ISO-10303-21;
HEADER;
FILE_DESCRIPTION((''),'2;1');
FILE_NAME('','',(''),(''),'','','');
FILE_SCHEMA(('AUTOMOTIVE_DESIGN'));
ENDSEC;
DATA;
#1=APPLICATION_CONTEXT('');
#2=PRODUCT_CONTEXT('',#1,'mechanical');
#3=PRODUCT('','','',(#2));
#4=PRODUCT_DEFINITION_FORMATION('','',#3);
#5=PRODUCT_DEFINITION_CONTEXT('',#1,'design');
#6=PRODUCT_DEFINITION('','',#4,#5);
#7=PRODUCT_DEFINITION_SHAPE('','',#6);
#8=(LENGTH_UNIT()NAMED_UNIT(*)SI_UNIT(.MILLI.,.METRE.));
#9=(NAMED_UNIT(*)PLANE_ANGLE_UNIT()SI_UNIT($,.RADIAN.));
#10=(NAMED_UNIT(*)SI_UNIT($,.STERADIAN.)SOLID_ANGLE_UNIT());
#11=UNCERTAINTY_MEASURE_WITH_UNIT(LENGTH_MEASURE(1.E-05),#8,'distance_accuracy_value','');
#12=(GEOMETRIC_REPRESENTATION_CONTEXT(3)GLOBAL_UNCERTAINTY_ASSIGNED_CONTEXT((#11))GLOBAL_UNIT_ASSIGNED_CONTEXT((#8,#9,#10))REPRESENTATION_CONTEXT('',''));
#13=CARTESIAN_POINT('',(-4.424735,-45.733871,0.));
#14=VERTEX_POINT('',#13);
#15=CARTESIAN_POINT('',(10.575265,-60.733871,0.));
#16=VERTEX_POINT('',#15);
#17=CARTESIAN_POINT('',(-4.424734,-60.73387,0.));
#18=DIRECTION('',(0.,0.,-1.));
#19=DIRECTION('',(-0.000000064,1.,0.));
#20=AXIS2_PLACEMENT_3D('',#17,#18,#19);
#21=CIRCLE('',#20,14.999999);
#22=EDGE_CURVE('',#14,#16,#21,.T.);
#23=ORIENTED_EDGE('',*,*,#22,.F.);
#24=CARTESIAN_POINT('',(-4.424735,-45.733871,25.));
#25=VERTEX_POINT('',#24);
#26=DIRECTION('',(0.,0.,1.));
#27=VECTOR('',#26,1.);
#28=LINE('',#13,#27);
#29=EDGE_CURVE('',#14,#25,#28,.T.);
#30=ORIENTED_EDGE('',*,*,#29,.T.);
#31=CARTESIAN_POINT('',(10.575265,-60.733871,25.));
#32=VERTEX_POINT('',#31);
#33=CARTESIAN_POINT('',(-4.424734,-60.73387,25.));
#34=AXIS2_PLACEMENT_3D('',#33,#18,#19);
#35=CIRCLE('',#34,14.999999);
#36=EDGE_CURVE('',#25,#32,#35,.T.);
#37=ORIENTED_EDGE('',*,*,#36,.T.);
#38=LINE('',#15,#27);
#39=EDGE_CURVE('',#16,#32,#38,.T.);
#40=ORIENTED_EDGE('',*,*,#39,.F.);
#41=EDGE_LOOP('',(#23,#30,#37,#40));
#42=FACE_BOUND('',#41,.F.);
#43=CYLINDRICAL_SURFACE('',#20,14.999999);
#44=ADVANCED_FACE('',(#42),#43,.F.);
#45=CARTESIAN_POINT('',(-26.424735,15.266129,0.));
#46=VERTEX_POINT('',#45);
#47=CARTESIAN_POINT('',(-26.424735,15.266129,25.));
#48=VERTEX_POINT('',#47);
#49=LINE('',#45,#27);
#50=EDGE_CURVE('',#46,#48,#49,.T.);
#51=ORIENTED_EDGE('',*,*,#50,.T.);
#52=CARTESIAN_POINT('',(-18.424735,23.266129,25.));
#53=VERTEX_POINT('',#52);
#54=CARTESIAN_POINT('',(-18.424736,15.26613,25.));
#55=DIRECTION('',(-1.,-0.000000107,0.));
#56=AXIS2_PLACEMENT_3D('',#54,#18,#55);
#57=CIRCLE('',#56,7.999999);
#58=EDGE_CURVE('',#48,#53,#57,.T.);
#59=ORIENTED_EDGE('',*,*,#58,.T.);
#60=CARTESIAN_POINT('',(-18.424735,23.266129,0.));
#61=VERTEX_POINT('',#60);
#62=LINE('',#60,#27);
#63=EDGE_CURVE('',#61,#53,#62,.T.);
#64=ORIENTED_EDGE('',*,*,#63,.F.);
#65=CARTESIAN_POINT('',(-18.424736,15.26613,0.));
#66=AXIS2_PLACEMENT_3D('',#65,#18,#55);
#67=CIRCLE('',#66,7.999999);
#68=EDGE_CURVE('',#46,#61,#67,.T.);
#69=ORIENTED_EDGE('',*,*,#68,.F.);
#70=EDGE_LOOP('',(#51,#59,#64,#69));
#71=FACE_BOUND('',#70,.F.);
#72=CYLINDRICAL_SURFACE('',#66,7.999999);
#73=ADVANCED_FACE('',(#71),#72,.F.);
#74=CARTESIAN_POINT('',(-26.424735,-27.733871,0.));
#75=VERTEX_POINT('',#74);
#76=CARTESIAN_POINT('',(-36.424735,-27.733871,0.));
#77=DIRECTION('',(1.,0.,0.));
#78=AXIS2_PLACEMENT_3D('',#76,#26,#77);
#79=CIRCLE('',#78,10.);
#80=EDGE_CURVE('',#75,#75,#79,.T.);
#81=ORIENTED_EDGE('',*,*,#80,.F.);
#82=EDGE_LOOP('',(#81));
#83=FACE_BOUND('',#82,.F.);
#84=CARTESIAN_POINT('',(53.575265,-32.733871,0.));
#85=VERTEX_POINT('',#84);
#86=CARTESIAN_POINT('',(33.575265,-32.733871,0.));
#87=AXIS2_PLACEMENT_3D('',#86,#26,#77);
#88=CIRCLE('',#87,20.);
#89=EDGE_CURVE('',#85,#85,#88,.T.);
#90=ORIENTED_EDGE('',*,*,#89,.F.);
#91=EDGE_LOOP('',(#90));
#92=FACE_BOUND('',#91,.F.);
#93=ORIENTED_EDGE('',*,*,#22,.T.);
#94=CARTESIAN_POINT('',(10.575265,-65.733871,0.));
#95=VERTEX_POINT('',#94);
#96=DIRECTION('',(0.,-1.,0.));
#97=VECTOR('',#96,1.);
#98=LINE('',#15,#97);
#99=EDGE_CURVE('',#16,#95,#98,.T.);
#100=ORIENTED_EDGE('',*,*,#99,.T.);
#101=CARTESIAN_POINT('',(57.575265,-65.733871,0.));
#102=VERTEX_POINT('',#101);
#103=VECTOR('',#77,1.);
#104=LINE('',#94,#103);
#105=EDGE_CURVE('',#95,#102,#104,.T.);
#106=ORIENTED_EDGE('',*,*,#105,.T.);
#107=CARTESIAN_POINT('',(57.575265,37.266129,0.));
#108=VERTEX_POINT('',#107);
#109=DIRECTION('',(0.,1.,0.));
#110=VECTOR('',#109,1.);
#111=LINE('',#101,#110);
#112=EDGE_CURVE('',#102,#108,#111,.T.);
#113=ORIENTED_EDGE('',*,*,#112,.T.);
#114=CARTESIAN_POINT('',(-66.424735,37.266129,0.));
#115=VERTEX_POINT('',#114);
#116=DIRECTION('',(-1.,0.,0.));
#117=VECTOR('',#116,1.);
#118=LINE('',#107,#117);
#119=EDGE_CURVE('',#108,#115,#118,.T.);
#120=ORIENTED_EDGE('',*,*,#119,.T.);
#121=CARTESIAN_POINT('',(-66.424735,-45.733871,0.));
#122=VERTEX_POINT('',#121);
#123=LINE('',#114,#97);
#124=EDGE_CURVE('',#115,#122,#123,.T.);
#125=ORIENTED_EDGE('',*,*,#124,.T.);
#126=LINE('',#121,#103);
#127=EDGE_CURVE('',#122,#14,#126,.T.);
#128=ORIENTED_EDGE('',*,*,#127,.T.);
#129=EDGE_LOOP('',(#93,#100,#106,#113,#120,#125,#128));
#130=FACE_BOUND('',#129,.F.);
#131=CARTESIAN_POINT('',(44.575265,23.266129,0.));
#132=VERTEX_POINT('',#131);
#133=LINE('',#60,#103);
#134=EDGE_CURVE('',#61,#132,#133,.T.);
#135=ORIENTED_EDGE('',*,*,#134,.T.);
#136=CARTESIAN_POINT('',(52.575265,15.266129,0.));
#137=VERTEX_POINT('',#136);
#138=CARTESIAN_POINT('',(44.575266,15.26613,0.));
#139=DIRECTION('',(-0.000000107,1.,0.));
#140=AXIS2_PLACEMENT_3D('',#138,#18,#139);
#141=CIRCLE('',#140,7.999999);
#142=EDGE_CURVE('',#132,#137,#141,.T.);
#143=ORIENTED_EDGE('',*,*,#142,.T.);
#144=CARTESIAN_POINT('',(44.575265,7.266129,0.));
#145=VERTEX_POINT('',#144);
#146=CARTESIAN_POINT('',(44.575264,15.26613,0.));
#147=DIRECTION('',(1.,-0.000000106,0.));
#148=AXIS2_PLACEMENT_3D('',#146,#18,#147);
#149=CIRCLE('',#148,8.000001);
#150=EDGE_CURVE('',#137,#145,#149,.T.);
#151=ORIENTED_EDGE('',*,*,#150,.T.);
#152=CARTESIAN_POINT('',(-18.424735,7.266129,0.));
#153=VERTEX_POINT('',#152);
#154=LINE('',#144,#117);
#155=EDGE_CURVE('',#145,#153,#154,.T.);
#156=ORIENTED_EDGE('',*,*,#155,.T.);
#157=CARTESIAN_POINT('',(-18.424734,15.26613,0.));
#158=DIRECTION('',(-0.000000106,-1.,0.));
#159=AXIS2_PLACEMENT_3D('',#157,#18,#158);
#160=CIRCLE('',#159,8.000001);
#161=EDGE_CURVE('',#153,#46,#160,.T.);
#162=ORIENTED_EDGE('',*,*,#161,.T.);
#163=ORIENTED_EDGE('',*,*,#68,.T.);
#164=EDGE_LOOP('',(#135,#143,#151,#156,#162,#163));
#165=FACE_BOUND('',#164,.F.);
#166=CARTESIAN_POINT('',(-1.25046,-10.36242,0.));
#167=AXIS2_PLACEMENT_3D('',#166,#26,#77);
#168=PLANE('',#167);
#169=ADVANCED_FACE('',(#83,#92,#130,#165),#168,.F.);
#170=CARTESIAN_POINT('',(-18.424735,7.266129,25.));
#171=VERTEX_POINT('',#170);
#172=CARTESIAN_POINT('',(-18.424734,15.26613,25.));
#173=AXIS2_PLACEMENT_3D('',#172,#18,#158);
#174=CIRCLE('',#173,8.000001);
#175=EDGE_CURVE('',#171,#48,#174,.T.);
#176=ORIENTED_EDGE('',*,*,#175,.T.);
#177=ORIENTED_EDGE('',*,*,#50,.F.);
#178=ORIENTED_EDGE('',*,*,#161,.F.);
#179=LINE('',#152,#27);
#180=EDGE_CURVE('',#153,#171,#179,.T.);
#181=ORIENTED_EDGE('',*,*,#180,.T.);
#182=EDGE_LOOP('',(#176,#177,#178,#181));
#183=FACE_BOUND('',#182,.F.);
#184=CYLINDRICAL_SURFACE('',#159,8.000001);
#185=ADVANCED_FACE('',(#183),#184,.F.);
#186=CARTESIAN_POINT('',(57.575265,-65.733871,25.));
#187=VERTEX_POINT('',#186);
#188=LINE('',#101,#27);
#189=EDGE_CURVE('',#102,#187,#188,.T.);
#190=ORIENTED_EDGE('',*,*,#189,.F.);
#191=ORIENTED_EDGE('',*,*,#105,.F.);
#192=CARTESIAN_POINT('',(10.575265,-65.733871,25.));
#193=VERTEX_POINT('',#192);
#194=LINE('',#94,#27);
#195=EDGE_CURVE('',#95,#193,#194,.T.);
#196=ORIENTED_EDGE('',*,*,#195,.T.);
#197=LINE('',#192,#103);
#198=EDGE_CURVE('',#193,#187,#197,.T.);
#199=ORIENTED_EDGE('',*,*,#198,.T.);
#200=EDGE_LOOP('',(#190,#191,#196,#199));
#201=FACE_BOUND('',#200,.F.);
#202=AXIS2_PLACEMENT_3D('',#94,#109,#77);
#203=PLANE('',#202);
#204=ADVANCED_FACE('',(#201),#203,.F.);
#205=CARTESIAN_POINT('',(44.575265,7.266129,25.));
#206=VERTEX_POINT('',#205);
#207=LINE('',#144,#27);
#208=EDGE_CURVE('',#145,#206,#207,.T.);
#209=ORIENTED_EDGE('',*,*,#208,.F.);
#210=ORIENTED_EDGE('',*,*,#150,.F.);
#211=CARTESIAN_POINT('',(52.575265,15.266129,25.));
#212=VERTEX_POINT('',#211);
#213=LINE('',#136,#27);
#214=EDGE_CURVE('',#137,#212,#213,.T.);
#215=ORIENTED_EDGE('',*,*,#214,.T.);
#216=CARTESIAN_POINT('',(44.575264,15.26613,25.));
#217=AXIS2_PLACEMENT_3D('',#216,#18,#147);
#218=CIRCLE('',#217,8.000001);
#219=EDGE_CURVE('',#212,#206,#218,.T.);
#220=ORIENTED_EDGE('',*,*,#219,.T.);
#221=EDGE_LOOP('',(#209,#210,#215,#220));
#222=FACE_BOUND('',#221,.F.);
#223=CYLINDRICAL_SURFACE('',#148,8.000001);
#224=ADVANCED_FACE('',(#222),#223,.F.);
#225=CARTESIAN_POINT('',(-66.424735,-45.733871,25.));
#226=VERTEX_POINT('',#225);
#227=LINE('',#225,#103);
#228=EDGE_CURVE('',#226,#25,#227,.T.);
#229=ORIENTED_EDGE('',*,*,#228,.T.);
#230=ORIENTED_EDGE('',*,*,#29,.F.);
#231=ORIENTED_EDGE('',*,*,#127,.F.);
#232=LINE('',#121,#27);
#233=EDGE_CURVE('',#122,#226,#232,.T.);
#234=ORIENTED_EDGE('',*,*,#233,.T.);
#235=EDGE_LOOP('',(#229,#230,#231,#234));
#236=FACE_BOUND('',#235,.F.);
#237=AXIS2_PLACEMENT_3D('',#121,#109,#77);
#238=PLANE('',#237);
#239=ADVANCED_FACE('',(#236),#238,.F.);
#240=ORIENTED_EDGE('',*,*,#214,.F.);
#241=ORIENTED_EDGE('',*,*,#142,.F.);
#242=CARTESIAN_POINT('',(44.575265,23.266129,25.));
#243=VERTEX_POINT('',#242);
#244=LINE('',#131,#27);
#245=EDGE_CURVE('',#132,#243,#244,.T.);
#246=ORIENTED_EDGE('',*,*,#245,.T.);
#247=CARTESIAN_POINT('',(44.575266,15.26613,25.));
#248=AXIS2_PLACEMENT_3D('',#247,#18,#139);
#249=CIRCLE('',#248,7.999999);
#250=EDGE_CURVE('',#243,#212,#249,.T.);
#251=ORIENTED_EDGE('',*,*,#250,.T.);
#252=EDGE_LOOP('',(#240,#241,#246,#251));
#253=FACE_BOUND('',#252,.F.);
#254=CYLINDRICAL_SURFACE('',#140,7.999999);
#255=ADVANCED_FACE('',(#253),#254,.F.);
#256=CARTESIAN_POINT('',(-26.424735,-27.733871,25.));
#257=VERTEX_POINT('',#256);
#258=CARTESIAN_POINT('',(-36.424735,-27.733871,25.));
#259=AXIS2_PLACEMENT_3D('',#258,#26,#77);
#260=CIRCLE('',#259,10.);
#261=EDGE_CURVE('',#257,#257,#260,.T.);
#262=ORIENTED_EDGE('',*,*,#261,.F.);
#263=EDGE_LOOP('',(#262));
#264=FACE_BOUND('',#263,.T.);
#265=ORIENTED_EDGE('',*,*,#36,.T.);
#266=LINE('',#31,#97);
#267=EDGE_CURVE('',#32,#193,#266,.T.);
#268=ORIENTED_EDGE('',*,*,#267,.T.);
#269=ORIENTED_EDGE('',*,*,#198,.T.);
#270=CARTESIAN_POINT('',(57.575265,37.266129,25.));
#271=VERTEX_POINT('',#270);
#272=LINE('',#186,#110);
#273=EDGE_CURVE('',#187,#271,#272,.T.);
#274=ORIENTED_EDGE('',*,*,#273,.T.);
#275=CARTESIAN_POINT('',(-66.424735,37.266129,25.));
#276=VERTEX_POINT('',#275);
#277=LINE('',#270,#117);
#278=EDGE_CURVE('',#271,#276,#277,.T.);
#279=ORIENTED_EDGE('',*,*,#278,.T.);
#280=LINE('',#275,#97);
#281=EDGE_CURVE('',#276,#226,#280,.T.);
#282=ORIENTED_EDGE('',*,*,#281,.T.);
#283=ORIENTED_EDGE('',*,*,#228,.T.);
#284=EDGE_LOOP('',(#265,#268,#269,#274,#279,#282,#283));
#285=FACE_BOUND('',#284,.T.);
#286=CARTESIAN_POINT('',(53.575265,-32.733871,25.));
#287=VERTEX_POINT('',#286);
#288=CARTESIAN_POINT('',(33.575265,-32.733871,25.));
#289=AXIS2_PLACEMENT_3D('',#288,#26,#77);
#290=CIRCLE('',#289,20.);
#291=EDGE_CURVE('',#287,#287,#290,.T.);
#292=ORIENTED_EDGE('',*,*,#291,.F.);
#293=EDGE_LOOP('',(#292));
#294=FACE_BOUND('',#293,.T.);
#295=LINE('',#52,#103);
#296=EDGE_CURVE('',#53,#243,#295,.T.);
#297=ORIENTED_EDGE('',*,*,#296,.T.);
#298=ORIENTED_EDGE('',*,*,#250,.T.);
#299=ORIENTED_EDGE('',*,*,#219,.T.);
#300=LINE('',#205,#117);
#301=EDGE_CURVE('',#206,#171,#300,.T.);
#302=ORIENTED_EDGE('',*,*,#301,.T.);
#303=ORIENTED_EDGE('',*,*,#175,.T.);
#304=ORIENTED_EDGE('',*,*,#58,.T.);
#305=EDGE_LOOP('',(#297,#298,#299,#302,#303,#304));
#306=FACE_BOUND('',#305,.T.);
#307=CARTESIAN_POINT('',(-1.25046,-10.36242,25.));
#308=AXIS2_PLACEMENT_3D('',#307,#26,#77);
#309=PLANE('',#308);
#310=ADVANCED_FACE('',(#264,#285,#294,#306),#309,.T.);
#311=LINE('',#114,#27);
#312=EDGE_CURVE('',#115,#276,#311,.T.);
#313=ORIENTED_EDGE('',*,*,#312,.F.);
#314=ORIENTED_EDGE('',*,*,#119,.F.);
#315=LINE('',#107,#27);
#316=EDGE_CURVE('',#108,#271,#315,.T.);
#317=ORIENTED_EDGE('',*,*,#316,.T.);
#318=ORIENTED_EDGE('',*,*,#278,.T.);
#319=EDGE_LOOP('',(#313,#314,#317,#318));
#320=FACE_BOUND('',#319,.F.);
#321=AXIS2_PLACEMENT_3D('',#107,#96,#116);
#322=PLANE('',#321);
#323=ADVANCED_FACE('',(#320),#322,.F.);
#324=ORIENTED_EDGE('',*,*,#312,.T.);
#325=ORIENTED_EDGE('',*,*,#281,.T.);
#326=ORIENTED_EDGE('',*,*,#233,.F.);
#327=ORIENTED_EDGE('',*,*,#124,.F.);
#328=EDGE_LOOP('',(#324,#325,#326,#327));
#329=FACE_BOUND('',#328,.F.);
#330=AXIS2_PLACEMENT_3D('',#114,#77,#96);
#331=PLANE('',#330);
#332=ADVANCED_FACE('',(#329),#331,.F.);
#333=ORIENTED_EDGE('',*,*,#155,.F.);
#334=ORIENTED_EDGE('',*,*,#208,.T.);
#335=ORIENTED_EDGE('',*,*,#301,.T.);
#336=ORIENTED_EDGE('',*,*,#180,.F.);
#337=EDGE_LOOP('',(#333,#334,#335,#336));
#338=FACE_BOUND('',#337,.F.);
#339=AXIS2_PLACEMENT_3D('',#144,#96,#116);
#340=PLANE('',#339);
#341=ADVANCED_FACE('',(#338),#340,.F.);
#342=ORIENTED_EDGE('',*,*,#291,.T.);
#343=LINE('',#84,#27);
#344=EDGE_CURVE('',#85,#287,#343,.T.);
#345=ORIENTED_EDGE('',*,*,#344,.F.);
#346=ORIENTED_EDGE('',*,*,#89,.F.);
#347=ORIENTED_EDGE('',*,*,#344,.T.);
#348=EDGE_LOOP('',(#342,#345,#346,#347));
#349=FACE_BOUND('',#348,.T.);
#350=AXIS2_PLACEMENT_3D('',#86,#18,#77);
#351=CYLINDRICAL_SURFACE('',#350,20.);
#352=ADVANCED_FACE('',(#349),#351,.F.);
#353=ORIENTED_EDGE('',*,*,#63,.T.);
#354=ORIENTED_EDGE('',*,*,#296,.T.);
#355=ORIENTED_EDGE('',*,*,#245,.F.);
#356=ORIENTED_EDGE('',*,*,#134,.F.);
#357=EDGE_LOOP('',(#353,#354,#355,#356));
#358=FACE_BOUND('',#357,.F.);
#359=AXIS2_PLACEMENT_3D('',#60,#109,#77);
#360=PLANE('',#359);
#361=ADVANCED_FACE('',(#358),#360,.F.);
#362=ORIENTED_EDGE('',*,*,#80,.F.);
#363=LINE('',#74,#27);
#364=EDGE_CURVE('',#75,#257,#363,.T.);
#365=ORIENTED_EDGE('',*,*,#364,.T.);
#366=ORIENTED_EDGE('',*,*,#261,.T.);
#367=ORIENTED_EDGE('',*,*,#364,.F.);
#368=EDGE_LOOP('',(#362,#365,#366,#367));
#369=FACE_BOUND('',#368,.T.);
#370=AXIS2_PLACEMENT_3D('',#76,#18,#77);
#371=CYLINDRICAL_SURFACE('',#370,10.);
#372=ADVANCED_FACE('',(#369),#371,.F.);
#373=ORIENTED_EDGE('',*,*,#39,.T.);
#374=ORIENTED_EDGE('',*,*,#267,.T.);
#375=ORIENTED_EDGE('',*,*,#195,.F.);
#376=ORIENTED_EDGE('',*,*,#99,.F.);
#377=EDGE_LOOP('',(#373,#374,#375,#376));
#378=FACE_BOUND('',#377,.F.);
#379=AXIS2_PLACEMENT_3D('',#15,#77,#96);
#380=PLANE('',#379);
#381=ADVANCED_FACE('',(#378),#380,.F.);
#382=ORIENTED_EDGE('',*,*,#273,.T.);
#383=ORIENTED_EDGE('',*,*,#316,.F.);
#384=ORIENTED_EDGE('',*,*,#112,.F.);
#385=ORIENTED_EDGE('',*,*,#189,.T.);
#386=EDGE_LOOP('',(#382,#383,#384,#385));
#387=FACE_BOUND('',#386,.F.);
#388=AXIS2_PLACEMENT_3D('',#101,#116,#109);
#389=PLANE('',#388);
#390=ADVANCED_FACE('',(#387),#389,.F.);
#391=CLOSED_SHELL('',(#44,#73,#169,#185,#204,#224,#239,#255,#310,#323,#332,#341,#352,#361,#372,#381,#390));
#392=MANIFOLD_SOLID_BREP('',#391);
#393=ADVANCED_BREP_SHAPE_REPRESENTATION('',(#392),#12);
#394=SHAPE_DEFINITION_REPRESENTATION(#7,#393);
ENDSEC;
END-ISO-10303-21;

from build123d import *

# Parameters (mm, degrees)
F0_R     = 10
F0_R_2   = 20
F1_DEPTH = 25


with BuildPart() as f1:
    # F0 (on Top) → F1 (new body)
    with BuildSketch(Plane.XY):
        with BuildLine():
            Line((57.575265, 37.266129), (-66.424735, 37.266129))
            Line((-66.424735, 37.266129), (-66.424735, -45.733871))
            Line((-66.424735, -45.733871), (-4.424735, -45.733871))
            ThreePointArc((-4.424735, -45.733871), (6.181867, -50.127269), (10.575265, -60.733871))
            Line((10.575265, -60.733871), (10.575265, -65.733871))
            Line((10.575265, -65.733871), (57.575265, -65.733871))
            Line((57.575265, -65.733871), (57.575265, 37.266129))
        make_face()
        with Locations((-36.424735, -27.733871)):
            Circle(F0_R, mode=Mode.SUBTRACT)
        with Locations((33.575265, -32.733871)):
            Circle(F0_R_2, mode=Mode.SUBTRACT)
        with BuildLine():
            Line((-18.424735, 23.266129), (44.575265, 23.266129))
            ThreePointArc((44.575265, 23.266129), (50.232119, 20.922984), (52.575265, 15.266129))
            ThreePointArc((52.575265, 15.266129), (50.232119, 9.609275), (44.575265, 7.266129))
            Line((44.575265, 7.266129), (-18.424735, 7.266129))
            ThreePointArc((-18.424735, 7.266129), (-24.081589, 9.609275), (-26.424735, 15.266129))
            ThreePointArc((-26.424735, 15.266129), (-24.081589, 20.922984), (-18.424735, 23.266129))
        make_face(mode=Mode.SUBTRACT)
    extrude(amount=F1_DEPTH)


solid = f1.part
